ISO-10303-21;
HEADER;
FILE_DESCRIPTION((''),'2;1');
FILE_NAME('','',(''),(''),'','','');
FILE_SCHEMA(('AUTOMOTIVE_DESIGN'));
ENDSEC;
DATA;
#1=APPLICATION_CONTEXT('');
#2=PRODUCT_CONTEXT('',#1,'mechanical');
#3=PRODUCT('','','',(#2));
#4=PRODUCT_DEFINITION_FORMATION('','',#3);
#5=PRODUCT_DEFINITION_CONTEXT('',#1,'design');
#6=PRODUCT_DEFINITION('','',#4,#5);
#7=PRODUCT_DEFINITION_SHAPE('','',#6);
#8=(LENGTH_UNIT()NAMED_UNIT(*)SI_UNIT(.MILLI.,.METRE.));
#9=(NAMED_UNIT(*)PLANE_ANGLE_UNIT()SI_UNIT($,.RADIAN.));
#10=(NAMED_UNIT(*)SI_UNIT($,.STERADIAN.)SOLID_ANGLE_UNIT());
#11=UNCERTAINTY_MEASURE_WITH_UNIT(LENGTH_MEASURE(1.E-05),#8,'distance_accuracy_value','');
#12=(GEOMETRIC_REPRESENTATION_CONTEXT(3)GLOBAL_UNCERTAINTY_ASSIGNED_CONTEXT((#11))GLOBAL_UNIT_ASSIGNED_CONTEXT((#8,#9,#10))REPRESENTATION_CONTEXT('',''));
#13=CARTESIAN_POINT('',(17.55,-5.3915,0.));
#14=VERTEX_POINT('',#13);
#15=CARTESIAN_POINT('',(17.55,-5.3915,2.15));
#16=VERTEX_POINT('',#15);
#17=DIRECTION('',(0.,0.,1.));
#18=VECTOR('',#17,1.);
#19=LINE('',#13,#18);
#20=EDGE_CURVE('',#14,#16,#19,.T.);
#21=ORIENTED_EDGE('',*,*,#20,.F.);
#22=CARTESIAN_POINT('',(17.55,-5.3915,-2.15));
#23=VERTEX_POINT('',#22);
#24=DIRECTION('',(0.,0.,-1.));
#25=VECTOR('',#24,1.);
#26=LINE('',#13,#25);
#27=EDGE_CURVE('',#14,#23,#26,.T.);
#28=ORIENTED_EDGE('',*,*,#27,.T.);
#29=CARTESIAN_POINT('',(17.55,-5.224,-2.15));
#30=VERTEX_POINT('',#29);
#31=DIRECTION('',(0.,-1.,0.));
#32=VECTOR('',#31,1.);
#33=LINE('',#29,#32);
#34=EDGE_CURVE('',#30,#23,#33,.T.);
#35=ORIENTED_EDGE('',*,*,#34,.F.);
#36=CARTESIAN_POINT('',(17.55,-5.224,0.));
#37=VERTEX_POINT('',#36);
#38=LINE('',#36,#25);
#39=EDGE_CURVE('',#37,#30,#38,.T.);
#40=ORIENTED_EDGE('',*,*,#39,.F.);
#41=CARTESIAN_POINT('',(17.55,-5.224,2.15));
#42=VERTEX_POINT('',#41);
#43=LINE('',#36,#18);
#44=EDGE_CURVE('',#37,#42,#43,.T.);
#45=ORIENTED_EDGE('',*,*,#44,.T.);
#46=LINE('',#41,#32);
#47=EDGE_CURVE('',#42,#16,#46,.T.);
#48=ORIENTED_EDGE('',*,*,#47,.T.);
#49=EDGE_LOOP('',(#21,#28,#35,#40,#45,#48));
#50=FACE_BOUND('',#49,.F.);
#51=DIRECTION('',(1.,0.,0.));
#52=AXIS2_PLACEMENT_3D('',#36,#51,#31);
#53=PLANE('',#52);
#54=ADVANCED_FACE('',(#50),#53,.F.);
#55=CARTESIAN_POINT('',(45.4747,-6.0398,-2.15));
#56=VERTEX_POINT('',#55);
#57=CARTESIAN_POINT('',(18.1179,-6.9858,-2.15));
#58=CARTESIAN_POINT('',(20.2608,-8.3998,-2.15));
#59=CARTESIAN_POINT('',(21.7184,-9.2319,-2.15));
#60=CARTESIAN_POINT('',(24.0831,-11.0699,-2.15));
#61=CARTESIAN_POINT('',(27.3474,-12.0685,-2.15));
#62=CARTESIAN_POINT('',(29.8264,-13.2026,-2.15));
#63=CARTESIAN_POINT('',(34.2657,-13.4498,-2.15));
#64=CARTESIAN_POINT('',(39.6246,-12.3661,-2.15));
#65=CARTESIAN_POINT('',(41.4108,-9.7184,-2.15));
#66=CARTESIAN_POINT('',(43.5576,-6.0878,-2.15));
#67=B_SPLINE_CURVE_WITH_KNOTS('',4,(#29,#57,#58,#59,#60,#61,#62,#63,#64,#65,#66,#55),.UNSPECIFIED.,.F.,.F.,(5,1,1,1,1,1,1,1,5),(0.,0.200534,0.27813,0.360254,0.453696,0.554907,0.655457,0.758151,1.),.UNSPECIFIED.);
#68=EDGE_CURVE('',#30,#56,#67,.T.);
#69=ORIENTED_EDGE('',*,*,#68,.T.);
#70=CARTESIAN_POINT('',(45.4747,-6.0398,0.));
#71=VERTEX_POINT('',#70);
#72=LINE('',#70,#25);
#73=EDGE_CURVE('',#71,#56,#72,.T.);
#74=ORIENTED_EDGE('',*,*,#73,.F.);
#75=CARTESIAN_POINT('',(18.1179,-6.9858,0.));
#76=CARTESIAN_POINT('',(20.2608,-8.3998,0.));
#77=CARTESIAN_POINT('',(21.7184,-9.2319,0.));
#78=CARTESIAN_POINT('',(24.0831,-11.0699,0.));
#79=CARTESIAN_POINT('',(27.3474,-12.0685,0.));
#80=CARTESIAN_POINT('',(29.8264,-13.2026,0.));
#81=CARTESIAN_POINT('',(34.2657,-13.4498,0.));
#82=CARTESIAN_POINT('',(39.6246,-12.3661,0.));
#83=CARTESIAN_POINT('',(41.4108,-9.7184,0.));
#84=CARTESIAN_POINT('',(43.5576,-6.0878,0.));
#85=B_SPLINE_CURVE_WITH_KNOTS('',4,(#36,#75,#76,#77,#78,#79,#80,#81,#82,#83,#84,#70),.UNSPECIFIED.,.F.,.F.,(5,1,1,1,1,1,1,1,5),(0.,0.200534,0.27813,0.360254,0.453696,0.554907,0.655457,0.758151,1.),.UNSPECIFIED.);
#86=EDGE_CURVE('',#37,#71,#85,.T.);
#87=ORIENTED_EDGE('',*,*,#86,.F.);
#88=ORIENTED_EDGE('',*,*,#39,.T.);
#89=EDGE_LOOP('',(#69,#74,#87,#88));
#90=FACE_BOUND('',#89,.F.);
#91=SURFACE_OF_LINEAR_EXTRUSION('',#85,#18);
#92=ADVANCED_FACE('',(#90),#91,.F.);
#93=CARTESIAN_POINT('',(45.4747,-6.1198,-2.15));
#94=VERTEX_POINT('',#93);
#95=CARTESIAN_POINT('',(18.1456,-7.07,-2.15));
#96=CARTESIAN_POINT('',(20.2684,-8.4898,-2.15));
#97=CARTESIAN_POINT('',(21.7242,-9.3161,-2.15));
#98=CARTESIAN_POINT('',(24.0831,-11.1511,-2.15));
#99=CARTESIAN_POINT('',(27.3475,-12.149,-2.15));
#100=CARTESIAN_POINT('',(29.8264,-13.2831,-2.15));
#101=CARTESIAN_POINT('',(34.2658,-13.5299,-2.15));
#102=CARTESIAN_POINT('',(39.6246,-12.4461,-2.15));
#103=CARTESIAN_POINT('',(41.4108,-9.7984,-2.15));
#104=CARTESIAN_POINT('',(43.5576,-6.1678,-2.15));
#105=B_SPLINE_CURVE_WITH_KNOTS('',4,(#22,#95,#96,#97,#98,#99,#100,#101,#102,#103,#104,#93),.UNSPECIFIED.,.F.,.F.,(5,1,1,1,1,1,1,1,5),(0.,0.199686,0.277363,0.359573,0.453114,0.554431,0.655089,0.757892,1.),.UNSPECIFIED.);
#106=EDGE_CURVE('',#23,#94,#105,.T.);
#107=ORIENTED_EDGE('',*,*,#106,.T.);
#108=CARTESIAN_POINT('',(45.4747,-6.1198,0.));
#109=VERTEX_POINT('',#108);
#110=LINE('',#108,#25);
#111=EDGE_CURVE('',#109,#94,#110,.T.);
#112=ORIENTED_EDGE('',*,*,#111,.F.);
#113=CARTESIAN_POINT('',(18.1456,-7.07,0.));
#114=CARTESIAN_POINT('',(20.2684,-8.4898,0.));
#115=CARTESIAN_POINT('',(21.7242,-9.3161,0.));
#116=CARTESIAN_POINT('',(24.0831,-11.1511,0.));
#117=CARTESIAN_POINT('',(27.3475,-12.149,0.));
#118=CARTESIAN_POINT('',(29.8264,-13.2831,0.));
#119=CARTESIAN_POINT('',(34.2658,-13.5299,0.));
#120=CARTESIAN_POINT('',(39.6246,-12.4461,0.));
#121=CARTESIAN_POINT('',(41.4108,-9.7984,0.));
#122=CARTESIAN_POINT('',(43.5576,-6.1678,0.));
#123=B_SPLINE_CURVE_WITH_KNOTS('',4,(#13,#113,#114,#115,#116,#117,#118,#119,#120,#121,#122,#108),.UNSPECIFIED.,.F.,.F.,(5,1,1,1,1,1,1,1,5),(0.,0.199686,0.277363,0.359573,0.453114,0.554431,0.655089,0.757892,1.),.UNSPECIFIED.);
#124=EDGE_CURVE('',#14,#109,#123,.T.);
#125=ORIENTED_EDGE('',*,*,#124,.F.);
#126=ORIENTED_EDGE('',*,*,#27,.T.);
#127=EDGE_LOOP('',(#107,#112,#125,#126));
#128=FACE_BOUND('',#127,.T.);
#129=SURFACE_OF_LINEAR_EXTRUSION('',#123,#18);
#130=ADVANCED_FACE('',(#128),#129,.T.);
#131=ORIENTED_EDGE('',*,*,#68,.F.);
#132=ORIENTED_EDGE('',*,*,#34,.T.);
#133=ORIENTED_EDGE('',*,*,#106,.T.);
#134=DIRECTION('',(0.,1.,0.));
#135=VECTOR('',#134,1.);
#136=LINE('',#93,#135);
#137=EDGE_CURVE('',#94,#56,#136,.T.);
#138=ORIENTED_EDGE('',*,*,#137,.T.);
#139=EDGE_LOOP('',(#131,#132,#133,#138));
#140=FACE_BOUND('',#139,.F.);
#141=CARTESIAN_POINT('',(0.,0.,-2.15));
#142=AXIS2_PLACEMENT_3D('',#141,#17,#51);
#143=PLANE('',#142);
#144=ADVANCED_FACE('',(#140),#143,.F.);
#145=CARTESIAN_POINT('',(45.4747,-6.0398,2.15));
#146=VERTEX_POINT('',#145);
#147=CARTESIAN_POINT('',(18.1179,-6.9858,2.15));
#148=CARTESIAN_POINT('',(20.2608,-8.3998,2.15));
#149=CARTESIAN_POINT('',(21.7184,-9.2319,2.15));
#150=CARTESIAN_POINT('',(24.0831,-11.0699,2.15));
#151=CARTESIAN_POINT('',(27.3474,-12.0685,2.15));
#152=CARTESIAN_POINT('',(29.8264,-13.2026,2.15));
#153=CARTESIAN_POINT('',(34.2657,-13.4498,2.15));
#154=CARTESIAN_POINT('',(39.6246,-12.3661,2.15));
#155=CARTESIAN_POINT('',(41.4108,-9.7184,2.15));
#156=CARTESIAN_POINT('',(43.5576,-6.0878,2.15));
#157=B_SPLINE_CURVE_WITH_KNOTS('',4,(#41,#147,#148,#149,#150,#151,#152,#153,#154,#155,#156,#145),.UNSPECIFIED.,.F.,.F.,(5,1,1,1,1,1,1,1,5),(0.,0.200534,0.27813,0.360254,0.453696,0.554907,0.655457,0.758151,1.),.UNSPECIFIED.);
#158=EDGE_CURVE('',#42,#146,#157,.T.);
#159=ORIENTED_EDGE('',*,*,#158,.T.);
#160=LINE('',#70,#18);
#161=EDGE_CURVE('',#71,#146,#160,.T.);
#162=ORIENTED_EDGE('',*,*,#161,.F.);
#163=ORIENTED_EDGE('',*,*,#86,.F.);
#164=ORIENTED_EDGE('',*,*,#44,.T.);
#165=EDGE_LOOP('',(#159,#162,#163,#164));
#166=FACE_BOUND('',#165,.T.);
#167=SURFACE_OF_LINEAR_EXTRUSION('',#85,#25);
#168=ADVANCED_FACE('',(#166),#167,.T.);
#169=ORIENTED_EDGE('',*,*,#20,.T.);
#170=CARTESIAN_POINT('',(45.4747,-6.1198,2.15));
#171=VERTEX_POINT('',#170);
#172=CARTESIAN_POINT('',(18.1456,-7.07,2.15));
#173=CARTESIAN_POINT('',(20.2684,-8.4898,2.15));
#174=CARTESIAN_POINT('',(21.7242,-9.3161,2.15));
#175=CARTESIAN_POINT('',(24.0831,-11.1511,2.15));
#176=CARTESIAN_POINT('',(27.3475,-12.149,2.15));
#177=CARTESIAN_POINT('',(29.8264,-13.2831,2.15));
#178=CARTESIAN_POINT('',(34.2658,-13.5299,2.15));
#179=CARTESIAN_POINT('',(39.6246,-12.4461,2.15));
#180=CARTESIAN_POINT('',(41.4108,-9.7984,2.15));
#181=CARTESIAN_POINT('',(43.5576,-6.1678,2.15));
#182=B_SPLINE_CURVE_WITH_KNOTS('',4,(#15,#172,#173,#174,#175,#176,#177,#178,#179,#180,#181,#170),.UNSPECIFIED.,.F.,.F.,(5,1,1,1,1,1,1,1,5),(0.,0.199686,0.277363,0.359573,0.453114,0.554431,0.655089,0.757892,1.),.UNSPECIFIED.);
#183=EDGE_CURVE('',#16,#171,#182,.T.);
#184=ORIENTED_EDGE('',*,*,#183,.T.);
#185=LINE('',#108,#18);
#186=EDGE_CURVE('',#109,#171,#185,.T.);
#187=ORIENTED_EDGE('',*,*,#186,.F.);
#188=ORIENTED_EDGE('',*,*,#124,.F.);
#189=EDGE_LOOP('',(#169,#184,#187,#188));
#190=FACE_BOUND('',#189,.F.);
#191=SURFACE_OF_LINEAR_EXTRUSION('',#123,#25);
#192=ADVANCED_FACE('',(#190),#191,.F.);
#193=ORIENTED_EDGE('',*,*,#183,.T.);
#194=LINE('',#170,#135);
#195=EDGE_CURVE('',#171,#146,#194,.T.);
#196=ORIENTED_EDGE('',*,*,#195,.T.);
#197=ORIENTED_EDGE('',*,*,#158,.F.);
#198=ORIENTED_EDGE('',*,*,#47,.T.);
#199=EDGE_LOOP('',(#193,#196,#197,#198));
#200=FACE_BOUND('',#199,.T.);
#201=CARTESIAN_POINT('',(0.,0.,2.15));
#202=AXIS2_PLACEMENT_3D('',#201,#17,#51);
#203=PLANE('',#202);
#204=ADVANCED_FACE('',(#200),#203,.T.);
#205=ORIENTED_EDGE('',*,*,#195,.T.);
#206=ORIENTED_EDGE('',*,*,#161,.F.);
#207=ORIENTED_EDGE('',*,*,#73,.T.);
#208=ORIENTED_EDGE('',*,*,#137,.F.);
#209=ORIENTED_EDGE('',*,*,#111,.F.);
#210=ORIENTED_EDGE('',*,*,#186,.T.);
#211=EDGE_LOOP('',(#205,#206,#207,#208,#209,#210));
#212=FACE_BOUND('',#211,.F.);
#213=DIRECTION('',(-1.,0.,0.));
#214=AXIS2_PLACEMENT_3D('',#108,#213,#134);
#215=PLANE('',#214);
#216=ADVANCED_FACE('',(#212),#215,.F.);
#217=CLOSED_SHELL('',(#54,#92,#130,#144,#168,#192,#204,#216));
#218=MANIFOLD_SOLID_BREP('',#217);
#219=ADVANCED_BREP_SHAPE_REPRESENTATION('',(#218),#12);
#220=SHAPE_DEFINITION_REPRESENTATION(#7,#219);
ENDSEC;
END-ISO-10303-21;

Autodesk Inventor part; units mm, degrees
ref_plane "YZ Plane" through (0, 0, 0) normal (1, 0, 0) x (0, 1, 0)
ref_plane "XZ Plane" through (0, 0, 0) normal (0, 1, 0) x (-1, 0, 0)
ref_plane "XY Plane" through (0, 0, 0) normal (0, 0, 1) x (1, 0, 0)
sketch "Sketch1" plane through (0, 0, 0) normal (0, 0, 1) x (1, 0, 0)
  line L0 (45.4747, -6.1198) -> (45.4747, -6.0398) projected
  line L1 (17.55, -5.224) -> (17.55, -6.424) projected
  spline S0 degree 4 poles (17.55, -5.224) (18.1179, -6.9858) (20.2608, -8.3998) (21.7184, -9.2319) (24.0831, -11.0699) (27.3474, -12.0685) (29.8264, -13.2026) (34.2657, -13.4498) (39.6246, -12.3661) (41.4108, -9.7184) (43.5576, -6.0878) (45.4747, -6.0398) knots 0 0 0 0 0 0.200534 0.27813 0.360254 0.453696 0.554907 0.655457 0.758151 1 1 1 1 1
  spline S1 degree 4 poles (17.55, -5.3915) (18.1456, -7.07) (20.2684, -8.4898) (21.7242, -9.3161) (24.0831, -11.1511) (27.3475, -12.149) (29.8264, -13.2831) (34.2658, -13.5299) (39.6246, -12.4461) (41.4108, -9.7984) (43.5576, -6.1678) (45.4747, -6.1198) knots 0 0 0 0 0 0.199686 0.277363 0.359573 0.453114 0.554431 0.655089 0.757892 1 1 1 1 1
  point P0 (0, 0)
  point P1 (19.3337, -7.6566)
  point P2 (21, -8.8468)
  point P3 (22.2794, -9.7097)
  point P4 (23.9457, -10.7809)
  point P5 (26.8618, -11.9711)
  point P6 (29.8516, -12.937)
  point P7 (34.2372, -13.2242)
  point P8 (38.1093, -12.3282)
  point P9 (40.4897, -10.5431)
  point P10 (42.8701, -7.6566)
  point P11 (19.3337, -7.7381)
  point P12 (21, -8.9281)
  point P13 (22.2795, -9.7908)
  point P14 (23.9458, -10.8618)
  point P15 (26.8618, -12.0517)
  point P16 (29.8517, -13.0174)
  point P17 (34.2372, -13.3044)
  point P18 (38.1093, -12.4083)
  point P19 (40.4897, -10.6231)
  point P20 (42.8701, -7.7367)
extrude "Extrusion1" add sketch "Sketch1" along normal mid plane 4.3
properties part number "flexcable6"
